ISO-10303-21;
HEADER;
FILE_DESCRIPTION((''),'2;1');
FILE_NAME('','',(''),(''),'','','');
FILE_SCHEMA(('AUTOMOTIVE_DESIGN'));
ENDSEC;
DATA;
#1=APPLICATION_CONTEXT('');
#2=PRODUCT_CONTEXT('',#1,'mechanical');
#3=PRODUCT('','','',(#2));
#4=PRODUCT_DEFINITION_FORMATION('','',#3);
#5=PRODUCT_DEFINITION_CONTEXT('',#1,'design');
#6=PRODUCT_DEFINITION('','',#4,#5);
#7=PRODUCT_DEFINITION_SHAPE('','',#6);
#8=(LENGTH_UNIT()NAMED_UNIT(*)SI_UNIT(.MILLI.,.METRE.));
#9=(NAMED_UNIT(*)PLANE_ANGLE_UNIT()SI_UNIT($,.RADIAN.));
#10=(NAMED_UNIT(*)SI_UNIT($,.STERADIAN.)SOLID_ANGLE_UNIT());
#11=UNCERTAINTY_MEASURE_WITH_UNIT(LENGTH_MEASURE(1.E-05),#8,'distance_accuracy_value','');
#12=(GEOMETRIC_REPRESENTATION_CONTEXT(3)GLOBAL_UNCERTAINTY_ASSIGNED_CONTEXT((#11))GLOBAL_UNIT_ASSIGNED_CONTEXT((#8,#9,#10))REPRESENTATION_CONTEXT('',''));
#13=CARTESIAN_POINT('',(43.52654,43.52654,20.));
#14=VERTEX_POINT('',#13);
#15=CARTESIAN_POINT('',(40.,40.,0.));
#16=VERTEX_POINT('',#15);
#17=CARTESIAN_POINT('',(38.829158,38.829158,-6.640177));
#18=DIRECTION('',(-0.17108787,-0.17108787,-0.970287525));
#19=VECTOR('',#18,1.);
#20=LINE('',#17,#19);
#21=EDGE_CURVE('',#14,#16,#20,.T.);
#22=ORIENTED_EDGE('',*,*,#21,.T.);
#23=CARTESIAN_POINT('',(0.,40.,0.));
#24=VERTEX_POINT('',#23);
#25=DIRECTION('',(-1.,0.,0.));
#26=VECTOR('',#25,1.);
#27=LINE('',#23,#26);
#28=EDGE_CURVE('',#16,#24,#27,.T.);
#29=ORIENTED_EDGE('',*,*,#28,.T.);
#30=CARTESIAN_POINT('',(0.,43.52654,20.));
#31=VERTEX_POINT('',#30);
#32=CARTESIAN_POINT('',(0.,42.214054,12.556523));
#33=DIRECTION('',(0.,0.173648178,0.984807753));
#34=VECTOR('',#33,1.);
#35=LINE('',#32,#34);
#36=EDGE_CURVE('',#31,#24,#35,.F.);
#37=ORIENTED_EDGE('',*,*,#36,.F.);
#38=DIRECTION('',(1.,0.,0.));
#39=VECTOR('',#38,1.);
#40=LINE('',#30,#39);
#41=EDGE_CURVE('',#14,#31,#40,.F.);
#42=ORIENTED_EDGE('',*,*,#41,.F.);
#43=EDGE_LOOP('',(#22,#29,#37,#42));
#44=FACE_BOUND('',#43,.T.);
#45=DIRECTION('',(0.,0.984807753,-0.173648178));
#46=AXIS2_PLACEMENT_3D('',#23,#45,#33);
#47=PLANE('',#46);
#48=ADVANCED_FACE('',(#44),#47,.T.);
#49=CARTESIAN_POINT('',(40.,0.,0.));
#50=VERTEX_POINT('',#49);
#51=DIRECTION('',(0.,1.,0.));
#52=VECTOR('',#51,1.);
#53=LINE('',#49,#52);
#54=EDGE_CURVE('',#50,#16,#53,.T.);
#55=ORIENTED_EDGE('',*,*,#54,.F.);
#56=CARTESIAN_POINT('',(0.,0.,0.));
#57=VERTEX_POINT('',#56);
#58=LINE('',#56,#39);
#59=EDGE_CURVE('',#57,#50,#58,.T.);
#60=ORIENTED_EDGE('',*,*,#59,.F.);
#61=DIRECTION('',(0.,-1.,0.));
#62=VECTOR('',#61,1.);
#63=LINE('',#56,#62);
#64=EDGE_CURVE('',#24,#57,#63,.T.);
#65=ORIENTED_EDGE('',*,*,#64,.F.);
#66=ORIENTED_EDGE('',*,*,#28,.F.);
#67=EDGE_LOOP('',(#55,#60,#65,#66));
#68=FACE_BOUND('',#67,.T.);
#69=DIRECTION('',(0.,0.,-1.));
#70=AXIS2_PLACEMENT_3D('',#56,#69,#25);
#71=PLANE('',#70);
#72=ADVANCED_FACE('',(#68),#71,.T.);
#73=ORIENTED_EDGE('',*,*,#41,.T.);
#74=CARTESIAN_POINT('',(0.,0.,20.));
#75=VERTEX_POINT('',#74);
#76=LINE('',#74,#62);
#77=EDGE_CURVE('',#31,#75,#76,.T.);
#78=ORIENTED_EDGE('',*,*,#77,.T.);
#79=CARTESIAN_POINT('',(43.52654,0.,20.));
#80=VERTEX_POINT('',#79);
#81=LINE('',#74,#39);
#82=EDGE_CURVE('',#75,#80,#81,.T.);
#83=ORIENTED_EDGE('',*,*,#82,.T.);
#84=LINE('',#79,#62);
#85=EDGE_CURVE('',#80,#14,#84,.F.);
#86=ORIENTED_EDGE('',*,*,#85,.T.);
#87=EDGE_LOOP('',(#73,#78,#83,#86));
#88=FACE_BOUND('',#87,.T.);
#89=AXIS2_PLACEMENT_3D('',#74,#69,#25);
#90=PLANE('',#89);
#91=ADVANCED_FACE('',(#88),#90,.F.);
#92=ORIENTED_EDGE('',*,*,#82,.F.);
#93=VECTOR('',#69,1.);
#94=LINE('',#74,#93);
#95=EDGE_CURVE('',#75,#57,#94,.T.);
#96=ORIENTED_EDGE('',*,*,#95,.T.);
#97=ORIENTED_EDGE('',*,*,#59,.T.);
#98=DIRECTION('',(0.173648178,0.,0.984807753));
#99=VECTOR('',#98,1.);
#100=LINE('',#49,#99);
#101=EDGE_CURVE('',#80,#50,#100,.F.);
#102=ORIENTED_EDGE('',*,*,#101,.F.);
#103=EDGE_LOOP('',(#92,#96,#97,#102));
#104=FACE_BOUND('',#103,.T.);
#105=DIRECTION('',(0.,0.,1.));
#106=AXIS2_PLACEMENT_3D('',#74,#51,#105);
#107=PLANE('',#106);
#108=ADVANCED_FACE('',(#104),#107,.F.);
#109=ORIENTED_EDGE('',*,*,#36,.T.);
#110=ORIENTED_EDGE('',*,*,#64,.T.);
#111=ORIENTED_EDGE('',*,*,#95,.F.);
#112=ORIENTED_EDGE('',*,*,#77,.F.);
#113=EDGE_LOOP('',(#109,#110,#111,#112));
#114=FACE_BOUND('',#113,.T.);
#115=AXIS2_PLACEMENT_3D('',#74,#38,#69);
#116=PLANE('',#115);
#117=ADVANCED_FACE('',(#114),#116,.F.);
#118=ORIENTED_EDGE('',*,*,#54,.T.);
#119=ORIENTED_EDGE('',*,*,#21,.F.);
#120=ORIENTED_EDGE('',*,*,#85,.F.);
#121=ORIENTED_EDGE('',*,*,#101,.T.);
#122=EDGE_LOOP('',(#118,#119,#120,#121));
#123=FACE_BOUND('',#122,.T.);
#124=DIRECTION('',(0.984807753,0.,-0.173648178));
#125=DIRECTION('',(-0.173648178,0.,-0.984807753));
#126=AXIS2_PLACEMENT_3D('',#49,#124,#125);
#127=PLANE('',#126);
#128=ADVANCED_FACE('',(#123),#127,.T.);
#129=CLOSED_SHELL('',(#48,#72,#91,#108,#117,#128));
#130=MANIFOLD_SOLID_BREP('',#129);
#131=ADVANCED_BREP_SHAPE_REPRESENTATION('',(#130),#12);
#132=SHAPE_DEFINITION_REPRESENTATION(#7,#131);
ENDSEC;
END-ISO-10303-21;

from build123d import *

# Parameters (mm, degrees)
SKETCH1_W           = 40
SKETCH1_H           = 40
BOSS_EXTRUDE1_DEPTH = 20
DRAFT1_ANGLE        = 10


with BuildPart() as part:
    # Sketch1 → Boss-Extrude1 (new body)
    with BuildSketch(Plane.XY):
        with Locations((20, 20)):
            Rectangle(SKETCH1_W, SKETCH1_H)
    extrude(amount=BOSS_EXTRUDE1_DEPTH)

    # Draft1
    draft1_faces = [part.faces().sort_by_distance(p)[0] for p in [
        (20, 40, 10),
        (40, 20, 10),
    ]]
    draft(draft1_faces, Plane(origin=(0, 0, 0), x_dir=(-1, 0, 0), z_dir=(0, 0, -1)), DRAFT1_ANGLE)


solid = part.part
